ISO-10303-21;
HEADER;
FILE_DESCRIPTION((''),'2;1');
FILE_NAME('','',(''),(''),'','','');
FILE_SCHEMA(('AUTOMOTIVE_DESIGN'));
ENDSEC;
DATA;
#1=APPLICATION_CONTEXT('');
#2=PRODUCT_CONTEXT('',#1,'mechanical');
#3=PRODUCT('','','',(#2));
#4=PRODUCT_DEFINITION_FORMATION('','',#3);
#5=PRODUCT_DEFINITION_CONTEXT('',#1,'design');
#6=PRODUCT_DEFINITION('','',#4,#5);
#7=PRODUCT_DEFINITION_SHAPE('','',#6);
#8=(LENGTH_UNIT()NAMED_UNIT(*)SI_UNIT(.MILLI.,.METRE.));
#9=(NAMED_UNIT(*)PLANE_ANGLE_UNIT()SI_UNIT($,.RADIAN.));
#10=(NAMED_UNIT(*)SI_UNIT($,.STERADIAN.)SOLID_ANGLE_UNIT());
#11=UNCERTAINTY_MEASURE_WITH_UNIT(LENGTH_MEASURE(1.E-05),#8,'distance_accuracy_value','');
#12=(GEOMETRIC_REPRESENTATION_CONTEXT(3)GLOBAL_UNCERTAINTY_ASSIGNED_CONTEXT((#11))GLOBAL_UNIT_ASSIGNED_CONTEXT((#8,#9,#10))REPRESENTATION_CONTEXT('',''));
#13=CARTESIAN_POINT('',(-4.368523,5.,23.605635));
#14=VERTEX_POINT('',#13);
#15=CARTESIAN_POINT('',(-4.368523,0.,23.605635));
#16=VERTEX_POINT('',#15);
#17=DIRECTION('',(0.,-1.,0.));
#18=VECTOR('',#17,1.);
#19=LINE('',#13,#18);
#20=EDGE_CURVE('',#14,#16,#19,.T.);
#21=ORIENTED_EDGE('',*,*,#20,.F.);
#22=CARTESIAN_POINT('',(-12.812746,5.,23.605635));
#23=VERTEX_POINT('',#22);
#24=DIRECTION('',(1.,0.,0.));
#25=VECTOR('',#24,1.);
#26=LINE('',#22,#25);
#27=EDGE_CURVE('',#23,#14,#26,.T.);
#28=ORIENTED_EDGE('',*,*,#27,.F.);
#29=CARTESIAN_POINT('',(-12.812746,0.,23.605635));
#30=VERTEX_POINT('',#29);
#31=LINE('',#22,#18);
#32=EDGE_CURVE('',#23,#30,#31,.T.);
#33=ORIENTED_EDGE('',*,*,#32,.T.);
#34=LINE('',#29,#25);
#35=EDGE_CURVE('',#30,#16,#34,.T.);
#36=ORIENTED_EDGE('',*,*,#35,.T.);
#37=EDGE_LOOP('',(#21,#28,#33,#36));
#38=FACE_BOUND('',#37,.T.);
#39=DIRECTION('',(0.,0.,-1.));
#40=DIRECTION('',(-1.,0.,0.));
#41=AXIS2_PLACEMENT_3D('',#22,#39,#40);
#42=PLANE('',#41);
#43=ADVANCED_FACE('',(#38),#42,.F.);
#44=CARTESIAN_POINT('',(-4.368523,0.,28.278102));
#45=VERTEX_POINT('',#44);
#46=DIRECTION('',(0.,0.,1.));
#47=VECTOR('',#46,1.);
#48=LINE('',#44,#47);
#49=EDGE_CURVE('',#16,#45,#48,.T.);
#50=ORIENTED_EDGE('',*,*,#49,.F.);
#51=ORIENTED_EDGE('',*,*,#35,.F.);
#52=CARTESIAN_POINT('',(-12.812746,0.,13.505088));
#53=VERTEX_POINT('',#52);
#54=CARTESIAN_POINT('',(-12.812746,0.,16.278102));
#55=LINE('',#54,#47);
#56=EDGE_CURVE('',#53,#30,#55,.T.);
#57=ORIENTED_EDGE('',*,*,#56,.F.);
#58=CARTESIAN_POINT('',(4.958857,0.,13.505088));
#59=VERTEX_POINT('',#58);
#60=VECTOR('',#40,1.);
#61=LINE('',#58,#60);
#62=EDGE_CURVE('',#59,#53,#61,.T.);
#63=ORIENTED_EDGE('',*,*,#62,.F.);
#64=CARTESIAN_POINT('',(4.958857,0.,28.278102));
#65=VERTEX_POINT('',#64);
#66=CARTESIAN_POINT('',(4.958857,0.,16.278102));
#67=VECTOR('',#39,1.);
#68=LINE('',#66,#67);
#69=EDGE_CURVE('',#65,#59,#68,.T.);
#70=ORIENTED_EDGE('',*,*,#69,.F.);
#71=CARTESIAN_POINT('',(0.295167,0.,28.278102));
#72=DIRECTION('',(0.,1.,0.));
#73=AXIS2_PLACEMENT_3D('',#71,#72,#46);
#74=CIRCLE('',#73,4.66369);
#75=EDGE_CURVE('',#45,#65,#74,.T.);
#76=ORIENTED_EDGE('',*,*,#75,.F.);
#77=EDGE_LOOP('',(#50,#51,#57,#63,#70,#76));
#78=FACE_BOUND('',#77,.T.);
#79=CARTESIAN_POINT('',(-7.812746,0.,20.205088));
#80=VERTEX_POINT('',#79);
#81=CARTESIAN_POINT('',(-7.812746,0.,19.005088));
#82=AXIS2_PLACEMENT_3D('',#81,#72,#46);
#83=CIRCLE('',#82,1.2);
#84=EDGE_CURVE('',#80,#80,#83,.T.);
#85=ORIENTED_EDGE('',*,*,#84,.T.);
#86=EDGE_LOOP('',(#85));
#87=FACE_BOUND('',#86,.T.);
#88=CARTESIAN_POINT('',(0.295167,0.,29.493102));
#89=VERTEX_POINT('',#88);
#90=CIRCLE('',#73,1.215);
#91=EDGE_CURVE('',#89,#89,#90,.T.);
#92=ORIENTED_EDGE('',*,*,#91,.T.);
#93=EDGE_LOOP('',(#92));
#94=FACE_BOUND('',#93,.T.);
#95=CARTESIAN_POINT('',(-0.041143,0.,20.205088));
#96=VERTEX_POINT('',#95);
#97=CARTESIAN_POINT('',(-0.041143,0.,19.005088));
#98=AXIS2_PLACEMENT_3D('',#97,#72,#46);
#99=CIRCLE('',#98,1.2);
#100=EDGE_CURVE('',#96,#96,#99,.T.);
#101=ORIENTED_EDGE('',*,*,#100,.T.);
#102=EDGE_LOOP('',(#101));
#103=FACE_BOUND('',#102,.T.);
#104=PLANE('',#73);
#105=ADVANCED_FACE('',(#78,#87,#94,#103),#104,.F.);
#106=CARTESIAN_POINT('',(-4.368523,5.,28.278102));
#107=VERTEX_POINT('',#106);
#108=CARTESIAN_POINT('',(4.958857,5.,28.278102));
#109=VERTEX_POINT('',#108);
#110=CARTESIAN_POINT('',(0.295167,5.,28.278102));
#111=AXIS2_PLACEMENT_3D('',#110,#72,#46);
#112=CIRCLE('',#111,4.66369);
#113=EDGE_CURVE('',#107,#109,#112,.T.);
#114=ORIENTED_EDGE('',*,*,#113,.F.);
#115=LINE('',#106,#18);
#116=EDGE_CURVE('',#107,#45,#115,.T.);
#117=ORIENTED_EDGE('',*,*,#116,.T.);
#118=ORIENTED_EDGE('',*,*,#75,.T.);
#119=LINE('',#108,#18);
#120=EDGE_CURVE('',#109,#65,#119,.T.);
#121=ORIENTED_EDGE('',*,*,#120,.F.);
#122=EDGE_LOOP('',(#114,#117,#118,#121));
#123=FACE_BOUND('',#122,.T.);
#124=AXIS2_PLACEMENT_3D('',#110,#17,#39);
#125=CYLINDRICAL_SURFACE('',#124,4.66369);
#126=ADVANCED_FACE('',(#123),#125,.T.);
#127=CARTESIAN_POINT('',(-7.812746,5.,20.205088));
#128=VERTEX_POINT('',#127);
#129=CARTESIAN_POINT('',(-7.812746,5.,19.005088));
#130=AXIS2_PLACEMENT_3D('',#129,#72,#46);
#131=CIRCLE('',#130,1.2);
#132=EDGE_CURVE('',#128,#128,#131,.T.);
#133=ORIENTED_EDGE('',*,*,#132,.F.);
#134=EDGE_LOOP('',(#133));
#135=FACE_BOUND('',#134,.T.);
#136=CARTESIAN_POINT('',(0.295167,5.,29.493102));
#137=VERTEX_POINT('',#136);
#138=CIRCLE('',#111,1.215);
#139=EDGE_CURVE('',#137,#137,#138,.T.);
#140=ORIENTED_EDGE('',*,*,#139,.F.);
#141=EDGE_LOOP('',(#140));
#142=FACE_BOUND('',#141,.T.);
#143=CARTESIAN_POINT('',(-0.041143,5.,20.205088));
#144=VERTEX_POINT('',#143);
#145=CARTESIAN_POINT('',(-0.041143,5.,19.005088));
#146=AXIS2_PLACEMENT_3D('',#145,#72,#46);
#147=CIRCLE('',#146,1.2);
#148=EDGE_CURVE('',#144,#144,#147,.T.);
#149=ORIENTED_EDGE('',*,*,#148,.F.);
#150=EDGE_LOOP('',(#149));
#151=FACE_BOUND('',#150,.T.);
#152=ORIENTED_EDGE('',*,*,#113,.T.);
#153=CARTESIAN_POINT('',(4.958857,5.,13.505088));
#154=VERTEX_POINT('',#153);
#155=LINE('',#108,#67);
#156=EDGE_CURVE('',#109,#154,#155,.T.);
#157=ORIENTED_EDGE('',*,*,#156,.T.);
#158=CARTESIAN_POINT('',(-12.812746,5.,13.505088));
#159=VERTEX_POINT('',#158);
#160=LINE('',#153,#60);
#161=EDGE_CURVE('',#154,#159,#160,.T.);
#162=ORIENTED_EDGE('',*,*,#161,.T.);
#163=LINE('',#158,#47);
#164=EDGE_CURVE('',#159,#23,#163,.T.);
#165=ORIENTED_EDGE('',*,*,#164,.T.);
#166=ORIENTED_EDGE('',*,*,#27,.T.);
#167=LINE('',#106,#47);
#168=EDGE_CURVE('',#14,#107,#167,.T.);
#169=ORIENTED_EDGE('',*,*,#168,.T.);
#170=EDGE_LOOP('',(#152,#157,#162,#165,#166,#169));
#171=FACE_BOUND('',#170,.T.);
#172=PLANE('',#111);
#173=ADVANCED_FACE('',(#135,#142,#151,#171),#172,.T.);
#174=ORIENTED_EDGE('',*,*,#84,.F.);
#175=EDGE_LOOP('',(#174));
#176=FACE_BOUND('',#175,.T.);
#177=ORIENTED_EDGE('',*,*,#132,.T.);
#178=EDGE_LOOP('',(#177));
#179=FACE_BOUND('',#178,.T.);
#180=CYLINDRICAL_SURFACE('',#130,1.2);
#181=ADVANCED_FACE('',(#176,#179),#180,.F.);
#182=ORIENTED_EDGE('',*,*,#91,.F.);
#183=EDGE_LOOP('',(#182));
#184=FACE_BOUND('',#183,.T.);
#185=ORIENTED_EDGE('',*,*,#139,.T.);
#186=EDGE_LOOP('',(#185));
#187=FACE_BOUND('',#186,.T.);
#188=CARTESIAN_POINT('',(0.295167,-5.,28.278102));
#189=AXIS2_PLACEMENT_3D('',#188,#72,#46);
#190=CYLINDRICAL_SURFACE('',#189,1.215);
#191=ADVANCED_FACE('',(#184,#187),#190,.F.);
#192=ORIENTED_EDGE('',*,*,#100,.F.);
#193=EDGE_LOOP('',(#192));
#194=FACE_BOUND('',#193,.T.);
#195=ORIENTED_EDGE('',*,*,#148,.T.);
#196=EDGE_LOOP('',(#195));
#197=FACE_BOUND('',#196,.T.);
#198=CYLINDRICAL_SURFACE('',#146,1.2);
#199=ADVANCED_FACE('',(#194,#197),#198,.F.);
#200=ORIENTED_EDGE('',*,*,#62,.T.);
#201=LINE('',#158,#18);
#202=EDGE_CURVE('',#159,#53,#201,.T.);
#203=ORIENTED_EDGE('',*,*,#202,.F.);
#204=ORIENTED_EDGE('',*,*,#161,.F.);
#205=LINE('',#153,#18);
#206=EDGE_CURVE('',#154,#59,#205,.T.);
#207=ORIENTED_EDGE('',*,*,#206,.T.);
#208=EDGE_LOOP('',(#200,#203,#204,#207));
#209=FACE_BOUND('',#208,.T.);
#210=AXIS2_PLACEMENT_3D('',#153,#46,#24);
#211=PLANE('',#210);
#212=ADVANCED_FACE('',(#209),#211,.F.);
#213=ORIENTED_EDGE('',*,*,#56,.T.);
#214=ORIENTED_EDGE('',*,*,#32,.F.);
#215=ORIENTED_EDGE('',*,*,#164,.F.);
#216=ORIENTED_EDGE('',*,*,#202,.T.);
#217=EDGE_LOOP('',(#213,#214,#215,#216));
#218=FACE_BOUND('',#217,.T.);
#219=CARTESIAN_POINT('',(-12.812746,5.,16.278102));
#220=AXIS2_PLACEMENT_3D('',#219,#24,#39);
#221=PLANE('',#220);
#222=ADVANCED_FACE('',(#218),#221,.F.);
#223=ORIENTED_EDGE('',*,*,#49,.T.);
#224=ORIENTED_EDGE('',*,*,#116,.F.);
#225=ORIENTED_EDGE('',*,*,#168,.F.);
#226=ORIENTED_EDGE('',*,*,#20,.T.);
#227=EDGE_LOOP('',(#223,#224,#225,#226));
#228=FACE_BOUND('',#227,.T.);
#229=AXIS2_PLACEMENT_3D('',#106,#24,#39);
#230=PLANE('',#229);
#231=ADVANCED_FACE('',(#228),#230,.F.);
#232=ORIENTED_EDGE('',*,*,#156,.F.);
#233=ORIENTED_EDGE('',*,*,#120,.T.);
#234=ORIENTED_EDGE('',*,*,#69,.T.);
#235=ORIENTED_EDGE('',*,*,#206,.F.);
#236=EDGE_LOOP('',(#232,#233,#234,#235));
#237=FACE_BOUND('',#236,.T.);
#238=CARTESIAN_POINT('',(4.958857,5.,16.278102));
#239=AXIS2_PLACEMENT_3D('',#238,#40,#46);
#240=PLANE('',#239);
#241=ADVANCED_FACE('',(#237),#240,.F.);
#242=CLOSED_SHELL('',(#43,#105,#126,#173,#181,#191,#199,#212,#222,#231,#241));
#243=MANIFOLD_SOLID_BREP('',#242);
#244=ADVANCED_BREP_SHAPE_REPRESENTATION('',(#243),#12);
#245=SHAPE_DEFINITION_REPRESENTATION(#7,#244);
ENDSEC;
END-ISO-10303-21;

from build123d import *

# Parameters (mm, degrees)
BOSS_EXTRUDE1_DEPTH      = 5
M2_CLEARANCE_HOLE1_D     = 2.4
M2_CLEARANCE_HOLE1_DEPTH = 12
M2_CLEARANCE_HOLE1_TIP   = 0.721032743
SKETCH6_R                = 1.215
CUT_EXTRUDE1_DEPTH       = 10


with BuildPart() as part:
    # Sketch1 → Boss-Extrude1 (new body)
    with BuildSketch(Plane(origin=(0, 0, 0), x_dir=(1, 0, 0), z_dir=(0, 1, 0))):
        with BuildLine():
            Line((4.958856711, -28.278101888), (4.958856711, -16.278101888))
            Line((4.958856711, -16.278101888), (4.958856711, -13.505087823))
            Line((4.958856711, -13.505087823), (-12.812745649, -13.505087823))
            Line((-12.812745649, -13.505087823), (-12.812745649, -16.278101888))
            Line((-12.812745649, -16.278101888), (-12.812745649, -23.605635188))
            Line((-12.812745649, -23.605635188), (-4.368523326, -23.605635188))
            Line((-4.368523326, -23.605635188), (-4.368523326, -28.278101888))
            ThreePointArc((-4.368523326, -28.278101888), (0.295166692, -32.941791906), (4.958856711, -28.278101888))
        make_face()
    extrude(amount=BOSS_EXTRUDE1_DEPTH)

    # M2 Clearance Hole1
    with Locations(Plane(origin=(0, 5, 0), x_dir=(1, 0, 0), z_dir=(0, 1, 0))):
        with Locations((-0.041143289, -19.005087823), (-7.812745649, -19.005087823)):
            Hole(M2_CLEARANCE_HOLE1_D / 2, depth=M2_CLEARANCE_HOLE1_DEPTH)
            with Locations((0, 0, -(M2_CLEARANCE_HOLE1_DEPTH + M2_CLEARANCE_HOLE1_TIP / 2))):  # 118° drill point
                Cone(0, M2_CLEARANCE_HOLE1_D / 2, M2_CLEARANCE_HOLE1_TIP, mode=Mode.SUBTRACT)

    # Sketch6 → Cut-Extrude1 (cut)
    with BuildSketch(Plane(origin=(0, 5, 0), x_dir=(1, 0, 0), z_dir=(0, 1, 0))):
        with Locations((0.295166692, -28.278101888)):
            Circle(SKETCH6_R)
    extrude(amount=-CUT_EXTRUDE1_DEPTH, mode=Mode.SUBTRACT)


solid = part.part
